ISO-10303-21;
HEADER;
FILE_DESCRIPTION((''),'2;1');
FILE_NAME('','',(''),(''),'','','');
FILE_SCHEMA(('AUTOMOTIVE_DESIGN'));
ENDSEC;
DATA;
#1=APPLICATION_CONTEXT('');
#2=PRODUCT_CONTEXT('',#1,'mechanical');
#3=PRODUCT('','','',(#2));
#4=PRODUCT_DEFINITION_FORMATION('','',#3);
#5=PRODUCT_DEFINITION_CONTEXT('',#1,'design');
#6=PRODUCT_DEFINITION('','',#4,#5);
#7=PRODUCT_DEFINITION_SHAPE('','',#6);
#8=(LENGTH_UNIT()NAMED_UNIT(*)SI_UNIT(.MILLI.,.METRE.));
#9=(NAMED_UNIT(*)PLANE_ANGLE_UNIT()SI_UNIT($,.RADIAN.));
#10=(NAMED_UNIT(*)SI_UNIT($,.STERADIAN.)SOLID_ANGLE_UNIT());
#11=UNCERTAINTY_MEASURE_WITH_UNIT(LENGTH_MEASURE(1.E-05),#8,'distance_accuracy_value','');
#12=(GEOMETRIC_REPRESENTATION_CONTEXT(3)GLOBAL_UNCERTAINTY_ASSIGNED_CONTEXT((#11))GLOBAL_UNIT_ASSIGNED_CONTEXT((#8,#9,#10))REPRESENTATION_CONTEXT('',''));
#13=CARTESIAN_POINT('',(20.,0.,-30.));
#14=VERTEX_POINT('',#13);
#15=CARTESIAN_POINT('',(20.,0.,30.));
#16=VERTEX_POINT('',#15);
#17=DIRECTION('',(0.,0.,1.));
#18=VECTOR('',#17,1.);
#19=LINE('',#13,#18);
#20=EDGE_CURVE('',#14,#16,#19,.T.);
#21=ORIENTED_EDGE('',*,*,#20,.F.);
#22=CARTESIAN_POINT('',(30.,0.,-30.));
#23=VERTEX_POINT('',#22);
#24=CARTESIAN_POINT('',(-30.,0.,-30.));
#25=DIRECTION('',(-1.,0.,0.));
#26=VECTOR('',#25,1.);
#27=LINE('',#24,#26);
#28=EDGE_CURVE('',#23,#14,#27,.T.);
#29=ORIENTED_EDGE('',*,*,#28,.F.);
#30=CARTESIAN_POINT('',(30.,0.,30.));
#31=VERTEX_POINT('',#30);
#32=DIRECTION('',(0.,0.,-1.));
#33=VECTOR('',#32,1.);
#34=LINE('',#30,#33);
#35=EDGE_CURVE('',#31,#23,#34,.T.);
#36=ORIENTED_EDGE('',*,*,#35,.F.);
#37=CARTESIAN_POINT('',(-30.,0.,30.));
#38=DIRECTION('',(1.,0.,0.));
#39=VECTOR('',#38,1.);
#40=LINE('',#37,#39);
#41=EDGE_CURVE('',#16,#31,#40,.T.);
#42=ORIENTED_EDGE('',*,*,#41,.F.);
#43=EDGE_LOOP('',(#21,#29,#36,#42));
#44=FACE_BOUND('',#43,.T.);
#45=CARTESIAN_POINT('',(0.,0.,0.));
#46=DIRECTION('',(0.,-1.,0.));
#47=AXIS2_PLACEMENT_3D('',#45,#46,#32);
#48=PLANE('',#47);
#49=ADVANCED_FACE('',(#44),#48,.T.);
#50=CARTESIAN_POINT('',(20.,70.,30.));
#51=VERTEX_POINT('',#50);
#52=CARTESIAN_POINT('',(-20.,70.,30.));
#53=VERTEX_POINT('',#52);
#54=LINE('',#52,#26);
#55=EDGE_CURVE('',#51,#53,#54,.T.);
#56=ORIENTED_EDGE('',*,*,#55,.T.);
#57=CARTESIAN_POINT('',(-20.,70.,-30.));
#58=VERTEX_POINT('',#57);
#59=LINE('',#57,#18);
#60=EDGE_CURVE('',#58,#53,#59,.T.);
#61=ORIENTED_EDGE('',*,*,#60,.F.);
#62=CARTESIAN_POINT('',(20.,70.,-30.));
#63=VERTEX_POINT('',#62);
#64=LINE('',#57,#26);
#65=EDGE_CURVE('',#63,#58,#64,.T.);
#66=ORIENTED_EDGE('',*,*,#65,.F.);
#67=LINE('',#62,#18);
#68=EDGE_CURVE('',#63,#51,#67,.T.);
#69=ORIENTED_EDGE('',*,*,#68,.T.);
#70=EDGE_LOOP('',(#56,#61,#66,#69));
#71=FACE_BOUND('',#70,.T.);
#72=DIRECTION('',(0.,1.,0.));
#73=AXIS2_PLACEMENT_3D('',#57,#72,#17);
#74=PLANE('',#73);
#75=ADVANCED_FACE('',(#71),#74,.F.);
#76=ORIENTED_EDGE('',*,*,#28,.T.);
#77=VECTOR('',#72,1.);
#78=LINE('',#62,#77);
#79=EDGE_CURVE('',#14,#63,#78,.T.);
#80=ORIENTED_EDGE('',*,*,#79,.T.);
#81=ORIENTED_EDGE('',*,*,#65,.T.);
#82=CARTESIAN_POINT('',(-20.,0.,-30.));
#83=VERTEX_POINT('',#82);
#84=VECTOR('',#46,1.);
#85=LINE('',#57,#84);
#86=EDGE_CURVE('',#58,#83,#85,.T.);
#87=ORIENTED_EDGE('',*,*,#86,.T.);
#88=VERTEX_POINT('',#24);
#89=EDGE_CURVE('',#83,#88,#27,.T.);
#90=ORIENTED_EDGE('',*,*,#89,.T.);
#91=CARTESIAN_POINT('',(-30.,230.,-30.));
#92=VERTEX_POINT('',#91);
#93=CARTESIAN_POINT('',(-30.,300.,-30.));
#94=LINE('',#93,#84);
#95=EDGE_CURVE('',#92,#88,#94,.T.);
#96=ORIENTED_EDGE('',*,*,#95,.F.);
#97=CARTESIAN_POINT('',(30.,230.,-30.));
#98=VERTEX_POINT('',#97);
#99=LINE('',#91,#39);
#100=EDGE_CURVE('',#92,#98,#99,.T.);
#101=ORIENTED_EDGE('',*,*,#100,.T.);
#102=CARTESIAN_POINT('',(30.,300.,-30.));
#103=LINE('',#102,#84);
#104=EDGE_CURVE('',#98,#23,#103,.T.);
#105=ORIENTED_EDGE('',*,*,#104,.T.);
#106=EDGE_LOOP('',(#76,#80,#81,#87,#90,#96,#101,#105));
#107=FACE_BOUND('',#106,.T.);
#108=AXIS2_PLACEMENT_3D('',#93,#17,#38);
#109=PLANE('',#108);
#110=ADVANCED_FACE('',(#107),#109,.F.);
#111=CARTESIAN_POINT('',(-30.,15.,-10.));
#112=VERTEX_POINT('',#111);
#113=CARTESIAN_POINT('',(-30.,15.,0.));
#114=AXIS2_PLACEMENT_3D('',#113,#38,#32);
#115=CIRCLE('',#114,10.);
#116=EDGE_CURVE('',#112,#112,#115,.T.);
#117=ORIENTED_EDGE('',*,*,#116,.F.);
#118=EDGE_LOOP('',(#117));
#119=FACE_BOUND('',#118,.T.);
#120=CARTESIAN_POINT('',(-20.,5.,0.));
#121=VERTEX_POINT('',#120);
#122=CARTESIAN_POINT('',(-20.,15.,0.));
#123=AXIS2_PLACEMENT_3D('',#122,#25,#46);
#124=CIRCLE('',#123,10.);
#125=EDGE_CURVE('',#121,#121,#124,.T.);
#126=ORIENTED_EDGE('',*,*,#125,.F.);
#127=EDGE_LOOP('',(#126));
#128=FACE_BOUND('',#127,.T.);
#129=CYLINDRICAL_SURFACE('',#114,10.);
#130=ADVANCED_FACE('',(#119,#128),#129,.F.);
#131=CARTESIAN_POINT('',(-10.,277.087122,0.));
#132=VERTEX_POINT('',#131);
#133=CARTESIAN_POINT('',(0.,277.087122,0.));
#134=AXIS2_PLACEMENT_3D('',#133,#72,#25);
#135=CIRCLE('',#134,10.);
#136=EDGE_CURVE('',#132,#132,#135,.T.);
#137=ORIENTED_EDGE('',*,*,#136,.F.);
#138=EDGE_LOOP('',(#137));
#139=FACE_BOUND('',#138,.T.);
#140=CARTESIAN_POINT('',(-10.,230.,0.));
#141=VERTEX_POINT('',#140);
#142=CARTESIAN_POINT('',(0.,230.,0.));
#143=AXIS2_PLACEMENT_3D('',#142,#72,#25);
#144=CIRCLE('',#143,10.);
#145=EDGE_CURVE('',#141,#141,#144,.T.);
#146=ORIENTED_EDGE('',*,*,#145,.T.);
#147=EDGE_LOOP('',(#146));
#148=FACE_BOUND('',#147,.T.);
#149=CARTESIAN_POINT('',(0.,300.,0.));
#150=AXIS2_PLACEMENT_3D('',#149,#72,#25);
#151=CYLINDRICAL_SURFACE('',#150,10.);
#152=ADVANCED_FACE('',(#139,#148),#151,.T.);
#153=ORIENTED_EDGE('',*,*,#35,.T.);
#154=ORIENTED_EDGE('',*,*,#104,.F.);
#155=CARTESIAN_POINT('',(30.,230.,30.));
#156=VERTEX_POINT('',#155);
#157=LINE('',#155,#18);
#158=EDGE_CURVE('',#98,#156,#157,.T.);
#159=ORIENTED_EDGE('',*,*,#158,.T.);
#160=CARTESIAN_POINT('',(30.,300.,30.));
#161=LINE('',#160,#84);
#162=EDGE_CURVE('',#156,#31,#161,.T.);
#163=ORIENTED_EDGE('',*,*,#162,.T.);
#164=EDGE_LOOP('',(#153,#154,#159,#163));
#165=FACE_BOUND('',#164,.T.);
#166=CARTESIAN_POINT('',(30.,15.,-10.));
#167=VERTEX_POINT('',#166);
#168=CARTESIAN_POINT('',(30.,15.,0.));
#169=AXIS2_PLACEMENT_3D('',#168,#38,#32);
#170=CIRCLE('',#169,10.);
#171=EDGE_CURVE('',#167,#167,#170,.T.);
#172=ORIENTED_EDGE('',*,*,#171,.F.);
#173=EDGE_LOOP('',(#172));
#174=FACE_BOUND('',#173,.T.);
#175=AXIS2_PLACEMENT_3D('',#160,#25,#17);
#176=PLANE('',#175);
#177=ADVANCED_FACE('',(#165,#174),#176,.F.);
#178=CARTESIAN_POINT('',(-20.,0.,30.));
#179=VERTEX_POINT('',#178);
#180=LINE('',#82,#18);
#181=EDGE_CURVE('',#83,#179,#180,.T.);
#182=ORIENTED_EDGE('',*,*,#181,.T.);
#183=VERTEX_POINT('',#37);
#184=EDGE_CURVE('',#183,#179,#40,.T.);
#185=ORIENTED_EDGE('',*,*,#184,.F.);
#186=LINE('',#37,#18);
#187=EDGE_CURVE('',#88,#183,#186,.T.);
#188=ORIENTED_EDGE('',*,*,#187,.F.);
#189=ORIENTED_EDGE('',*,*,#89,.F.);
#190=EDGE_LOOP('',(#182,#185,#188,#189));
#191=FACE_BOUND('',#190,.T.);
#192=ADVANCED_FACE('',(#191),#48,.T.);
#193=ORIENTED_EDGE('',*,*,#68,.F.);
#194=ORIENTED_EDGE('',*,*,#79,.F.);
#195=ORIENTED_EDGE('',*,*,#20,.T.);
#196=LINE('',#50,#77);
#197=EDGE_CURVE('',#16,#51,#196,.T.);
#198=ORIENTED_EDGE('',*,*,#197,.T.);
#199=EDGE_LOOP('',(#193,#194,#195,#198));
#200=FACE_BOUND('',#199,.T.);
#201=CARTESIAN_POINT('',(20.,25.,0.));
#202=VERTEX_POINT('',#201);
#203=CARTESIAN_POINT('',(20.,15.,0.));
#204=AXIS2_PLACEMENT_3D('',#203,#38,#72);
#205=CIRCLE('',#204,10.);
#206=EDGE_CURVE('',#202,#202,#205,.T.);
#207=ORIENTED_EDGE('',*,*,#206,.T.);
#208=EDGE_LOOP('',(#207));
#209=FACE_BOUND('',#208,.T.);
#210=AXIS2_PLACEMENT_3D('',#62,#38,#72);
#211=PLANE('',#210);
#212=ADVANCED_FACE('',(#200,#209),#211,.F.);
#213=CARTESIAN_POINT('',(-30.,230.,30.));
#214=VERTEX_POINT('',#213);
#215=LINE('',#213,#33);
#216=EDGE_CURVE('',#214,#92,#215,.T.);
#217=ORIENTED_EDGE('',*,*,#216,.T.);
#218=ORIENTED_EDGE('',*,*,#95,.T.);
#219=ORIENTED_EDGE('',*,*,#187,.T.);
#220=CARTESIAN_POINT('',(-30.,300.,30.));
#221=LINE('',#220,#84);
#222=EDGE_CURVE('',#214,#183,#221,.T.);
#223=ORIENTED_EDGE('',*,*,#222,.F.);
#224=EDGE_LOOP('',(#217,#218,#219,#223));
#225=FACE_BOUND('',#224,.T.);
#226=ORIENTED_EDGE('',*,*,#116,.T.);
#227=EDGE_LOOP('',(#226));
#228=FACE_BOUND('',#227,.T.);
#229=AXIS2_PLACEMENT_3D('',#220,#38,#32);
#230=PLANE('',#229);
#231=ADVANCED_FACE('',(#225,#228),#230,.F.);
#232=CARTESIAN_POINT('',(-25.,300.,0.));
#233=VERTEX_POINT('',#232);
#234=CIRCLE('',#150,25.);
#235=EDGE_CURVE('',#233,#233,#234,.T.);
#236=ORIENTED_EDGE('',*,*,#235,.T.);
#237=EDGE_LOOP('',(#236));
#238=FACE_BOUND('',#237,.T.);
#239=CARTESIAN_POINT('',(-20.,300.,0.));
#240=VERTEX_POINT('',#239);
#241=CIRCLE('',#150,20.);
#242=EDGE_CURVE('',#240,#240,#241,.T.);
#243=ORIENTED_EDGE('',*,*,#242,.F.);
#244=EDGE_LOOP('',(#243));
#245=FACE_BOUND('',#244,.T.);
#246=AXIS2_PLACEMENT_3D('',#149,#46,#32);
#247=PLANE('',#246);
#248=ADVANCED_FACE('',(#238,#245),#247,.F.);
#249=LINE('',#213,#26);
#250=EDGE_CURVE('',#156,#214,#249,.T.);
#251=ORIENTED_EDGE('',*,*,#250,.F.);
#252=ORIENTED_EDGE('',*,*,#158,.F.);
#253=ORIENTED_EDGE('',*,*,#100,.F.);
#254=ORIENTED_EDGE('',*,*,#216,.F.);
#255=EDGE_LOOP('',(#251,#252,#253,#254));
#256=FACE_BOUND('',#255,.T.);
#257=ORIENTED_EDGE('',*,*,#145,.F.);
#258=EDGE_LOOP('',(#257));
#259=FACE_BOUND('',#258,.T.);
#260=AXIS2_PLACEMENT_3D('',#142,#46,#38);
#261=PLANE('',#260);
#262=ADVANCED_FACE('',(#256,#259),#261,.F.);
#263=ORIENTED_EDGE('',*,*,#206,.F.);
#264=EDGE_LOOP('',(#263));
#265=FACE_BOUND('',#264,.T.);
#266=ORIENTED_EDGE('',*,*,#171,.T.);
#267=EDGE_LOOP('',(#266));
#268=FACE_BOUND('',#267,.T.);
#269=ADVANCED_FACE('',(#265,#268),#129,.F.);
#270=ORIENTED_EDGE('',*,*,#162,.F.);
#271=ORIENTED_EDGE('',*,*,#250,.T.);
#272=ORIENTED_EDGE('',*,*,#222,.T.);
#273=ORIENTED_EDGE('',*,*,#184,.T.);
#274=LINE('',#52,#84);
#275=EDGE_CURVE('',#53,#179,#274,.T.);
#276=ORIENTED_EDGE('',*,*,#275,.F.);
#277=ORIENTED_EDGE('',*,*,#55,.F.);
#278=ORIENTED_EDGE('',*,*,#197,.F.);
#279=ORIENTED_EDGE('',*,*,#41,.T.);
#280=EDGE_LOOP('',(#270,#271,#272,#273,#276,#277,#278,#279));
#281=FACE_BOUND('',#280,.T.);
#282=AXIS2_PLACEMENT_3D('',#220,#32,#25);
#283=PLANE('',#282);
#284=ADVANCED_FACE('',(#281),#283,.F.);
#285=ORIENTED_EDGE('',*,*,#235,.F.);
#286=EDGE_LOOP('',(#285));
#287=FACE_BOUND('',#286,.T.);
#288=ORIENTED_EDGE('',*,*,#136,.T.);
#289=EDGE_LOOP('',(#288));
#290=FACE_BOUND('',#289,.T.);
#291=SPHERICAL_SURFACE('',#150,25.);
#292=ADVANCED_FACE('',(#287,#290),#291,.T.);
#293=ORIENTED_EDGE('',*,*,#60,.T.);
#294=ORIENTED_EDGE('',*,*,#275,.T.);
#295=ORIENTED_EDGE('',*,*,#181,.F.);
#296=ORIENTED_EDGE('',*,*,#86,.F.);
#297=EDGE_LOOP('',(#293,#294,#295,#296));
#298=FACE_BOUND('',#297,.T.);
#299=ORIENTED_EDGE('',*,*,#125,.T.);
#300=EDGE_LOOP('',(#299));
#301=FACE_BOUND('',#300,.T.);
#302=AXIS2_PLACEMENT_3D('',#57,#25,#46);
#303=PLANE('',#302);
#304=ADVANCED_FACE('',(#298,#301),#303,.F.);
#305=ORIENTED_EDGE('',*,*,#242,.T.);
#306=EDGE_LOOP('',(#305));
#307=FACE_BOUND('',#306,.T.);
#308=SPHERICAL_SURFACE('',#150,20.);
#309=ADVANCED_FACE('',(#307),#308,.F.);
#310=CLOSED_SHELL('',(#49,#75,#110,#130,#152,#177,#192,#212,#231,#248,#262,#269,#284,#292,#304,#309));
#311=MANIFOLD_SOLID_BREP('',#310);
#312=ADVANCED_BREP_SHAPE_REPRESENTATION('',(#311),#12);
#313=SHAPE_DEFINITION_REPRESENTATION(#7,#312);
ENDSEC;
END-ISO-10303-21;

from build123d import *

# Parameters (mm, degrees)
CROQUIS1_W                 = 60
CROQUIS1_H                 = 60
SALIENTE_EXTRUIR1_DEPTH    = 300
CROQUIS2_W                 = 40
CROQUIS2_H                 = 70
CORTAR_EXTRUIR1_DEPTH      = 31
CORTAR_EXTRUIR1_DEPTH_BACK = 31
CROQUIS3_R                 = 10
CORTAR_EXTRUIR2_DEPTH      = 31
CORTAR_EXTRUIR2_DEPTH_BACK = 31


with BuildPart() as part:
    # Croquis1 → Saliente-Extruir1 (new body)
    with BuildSketch(Plane(origin=(0, 0, 0), x_dir=(1, 0, 0), z_dir=(0, 1, 0))):
        Rectangle(CROQUIS1_W, CROQUIS1_H)
    extrude(amount=SALIENTE_EXTRUIR1_DEPTH)

    # Croquis2 → Cortar-Extruir1 (cut, two sides)
    with BuildSketch(Plane.XY) as cortar_extruir1_sk:
        with Locations((0, 35)):
            Rectangle(CROQUIS2_W, CROQUIS2_H)
    extrude(amount=CORTAR_EXTRUIR1_DEPTH, mode=Mode.SUBTRACT)
    extrude(cortar_extruir1_sk.sketch, amount=-CORTAR_EXTRUIR1_DEPTH_BACK, mode=Mode.SUBTRACT)

    # Croquis3 → Cortar-Extruir2 (cut, two sides)
    with BuildSketch(Plane(origin=(0, 0, 0), x_dir=(0, 0, -1), z_dir=(1, 0, 0))) as cortar_extruir2_sk:
        with Locations((0, 15)):
            Circle(CROQUIS3_R)
    extrude(amount=CORTAR_EXTRUIR2_DEPTH, mode=Mode.SUBTRACT)
    extrude(cortar_extruir2_sk.sketch, amount=-CORTAR_EXTRUIR2_DEPTH_BACK, mode=Mode.SUBTRACT)

    # Croquis4 → Cortar-Revolución5 (revolve, cut)
    with BuildSketch(Plane.XY):
        with BuildLine():
            ThreePointArc((-25, 300), (-20.916500663, 286.306936062), (-10, 277.087121525))
            Line((-10, 277.087121525), (-10, 230))
            Line((-10, 230), (-30, 230))
            Line((-30, 230), (-59.400541748, 230))
            Line((-59.400541748, 230), (-59.400541748, 300))
            Line((-59.400541748, 300), (-25, 300))
        make_face()
        with BuildLine():
            Line((0, 300), (-20, 300))
            ThreePointArc((-20, 300), (-14.142135624, 285.857864376), (0, 280))
            Line((0, 280), (0, 300))
        make_face()
    revolve(axis=Axis((0, 300, 0), (0, -1, 0)), mode=Mode.SUBTRACT)


solid = part.part
